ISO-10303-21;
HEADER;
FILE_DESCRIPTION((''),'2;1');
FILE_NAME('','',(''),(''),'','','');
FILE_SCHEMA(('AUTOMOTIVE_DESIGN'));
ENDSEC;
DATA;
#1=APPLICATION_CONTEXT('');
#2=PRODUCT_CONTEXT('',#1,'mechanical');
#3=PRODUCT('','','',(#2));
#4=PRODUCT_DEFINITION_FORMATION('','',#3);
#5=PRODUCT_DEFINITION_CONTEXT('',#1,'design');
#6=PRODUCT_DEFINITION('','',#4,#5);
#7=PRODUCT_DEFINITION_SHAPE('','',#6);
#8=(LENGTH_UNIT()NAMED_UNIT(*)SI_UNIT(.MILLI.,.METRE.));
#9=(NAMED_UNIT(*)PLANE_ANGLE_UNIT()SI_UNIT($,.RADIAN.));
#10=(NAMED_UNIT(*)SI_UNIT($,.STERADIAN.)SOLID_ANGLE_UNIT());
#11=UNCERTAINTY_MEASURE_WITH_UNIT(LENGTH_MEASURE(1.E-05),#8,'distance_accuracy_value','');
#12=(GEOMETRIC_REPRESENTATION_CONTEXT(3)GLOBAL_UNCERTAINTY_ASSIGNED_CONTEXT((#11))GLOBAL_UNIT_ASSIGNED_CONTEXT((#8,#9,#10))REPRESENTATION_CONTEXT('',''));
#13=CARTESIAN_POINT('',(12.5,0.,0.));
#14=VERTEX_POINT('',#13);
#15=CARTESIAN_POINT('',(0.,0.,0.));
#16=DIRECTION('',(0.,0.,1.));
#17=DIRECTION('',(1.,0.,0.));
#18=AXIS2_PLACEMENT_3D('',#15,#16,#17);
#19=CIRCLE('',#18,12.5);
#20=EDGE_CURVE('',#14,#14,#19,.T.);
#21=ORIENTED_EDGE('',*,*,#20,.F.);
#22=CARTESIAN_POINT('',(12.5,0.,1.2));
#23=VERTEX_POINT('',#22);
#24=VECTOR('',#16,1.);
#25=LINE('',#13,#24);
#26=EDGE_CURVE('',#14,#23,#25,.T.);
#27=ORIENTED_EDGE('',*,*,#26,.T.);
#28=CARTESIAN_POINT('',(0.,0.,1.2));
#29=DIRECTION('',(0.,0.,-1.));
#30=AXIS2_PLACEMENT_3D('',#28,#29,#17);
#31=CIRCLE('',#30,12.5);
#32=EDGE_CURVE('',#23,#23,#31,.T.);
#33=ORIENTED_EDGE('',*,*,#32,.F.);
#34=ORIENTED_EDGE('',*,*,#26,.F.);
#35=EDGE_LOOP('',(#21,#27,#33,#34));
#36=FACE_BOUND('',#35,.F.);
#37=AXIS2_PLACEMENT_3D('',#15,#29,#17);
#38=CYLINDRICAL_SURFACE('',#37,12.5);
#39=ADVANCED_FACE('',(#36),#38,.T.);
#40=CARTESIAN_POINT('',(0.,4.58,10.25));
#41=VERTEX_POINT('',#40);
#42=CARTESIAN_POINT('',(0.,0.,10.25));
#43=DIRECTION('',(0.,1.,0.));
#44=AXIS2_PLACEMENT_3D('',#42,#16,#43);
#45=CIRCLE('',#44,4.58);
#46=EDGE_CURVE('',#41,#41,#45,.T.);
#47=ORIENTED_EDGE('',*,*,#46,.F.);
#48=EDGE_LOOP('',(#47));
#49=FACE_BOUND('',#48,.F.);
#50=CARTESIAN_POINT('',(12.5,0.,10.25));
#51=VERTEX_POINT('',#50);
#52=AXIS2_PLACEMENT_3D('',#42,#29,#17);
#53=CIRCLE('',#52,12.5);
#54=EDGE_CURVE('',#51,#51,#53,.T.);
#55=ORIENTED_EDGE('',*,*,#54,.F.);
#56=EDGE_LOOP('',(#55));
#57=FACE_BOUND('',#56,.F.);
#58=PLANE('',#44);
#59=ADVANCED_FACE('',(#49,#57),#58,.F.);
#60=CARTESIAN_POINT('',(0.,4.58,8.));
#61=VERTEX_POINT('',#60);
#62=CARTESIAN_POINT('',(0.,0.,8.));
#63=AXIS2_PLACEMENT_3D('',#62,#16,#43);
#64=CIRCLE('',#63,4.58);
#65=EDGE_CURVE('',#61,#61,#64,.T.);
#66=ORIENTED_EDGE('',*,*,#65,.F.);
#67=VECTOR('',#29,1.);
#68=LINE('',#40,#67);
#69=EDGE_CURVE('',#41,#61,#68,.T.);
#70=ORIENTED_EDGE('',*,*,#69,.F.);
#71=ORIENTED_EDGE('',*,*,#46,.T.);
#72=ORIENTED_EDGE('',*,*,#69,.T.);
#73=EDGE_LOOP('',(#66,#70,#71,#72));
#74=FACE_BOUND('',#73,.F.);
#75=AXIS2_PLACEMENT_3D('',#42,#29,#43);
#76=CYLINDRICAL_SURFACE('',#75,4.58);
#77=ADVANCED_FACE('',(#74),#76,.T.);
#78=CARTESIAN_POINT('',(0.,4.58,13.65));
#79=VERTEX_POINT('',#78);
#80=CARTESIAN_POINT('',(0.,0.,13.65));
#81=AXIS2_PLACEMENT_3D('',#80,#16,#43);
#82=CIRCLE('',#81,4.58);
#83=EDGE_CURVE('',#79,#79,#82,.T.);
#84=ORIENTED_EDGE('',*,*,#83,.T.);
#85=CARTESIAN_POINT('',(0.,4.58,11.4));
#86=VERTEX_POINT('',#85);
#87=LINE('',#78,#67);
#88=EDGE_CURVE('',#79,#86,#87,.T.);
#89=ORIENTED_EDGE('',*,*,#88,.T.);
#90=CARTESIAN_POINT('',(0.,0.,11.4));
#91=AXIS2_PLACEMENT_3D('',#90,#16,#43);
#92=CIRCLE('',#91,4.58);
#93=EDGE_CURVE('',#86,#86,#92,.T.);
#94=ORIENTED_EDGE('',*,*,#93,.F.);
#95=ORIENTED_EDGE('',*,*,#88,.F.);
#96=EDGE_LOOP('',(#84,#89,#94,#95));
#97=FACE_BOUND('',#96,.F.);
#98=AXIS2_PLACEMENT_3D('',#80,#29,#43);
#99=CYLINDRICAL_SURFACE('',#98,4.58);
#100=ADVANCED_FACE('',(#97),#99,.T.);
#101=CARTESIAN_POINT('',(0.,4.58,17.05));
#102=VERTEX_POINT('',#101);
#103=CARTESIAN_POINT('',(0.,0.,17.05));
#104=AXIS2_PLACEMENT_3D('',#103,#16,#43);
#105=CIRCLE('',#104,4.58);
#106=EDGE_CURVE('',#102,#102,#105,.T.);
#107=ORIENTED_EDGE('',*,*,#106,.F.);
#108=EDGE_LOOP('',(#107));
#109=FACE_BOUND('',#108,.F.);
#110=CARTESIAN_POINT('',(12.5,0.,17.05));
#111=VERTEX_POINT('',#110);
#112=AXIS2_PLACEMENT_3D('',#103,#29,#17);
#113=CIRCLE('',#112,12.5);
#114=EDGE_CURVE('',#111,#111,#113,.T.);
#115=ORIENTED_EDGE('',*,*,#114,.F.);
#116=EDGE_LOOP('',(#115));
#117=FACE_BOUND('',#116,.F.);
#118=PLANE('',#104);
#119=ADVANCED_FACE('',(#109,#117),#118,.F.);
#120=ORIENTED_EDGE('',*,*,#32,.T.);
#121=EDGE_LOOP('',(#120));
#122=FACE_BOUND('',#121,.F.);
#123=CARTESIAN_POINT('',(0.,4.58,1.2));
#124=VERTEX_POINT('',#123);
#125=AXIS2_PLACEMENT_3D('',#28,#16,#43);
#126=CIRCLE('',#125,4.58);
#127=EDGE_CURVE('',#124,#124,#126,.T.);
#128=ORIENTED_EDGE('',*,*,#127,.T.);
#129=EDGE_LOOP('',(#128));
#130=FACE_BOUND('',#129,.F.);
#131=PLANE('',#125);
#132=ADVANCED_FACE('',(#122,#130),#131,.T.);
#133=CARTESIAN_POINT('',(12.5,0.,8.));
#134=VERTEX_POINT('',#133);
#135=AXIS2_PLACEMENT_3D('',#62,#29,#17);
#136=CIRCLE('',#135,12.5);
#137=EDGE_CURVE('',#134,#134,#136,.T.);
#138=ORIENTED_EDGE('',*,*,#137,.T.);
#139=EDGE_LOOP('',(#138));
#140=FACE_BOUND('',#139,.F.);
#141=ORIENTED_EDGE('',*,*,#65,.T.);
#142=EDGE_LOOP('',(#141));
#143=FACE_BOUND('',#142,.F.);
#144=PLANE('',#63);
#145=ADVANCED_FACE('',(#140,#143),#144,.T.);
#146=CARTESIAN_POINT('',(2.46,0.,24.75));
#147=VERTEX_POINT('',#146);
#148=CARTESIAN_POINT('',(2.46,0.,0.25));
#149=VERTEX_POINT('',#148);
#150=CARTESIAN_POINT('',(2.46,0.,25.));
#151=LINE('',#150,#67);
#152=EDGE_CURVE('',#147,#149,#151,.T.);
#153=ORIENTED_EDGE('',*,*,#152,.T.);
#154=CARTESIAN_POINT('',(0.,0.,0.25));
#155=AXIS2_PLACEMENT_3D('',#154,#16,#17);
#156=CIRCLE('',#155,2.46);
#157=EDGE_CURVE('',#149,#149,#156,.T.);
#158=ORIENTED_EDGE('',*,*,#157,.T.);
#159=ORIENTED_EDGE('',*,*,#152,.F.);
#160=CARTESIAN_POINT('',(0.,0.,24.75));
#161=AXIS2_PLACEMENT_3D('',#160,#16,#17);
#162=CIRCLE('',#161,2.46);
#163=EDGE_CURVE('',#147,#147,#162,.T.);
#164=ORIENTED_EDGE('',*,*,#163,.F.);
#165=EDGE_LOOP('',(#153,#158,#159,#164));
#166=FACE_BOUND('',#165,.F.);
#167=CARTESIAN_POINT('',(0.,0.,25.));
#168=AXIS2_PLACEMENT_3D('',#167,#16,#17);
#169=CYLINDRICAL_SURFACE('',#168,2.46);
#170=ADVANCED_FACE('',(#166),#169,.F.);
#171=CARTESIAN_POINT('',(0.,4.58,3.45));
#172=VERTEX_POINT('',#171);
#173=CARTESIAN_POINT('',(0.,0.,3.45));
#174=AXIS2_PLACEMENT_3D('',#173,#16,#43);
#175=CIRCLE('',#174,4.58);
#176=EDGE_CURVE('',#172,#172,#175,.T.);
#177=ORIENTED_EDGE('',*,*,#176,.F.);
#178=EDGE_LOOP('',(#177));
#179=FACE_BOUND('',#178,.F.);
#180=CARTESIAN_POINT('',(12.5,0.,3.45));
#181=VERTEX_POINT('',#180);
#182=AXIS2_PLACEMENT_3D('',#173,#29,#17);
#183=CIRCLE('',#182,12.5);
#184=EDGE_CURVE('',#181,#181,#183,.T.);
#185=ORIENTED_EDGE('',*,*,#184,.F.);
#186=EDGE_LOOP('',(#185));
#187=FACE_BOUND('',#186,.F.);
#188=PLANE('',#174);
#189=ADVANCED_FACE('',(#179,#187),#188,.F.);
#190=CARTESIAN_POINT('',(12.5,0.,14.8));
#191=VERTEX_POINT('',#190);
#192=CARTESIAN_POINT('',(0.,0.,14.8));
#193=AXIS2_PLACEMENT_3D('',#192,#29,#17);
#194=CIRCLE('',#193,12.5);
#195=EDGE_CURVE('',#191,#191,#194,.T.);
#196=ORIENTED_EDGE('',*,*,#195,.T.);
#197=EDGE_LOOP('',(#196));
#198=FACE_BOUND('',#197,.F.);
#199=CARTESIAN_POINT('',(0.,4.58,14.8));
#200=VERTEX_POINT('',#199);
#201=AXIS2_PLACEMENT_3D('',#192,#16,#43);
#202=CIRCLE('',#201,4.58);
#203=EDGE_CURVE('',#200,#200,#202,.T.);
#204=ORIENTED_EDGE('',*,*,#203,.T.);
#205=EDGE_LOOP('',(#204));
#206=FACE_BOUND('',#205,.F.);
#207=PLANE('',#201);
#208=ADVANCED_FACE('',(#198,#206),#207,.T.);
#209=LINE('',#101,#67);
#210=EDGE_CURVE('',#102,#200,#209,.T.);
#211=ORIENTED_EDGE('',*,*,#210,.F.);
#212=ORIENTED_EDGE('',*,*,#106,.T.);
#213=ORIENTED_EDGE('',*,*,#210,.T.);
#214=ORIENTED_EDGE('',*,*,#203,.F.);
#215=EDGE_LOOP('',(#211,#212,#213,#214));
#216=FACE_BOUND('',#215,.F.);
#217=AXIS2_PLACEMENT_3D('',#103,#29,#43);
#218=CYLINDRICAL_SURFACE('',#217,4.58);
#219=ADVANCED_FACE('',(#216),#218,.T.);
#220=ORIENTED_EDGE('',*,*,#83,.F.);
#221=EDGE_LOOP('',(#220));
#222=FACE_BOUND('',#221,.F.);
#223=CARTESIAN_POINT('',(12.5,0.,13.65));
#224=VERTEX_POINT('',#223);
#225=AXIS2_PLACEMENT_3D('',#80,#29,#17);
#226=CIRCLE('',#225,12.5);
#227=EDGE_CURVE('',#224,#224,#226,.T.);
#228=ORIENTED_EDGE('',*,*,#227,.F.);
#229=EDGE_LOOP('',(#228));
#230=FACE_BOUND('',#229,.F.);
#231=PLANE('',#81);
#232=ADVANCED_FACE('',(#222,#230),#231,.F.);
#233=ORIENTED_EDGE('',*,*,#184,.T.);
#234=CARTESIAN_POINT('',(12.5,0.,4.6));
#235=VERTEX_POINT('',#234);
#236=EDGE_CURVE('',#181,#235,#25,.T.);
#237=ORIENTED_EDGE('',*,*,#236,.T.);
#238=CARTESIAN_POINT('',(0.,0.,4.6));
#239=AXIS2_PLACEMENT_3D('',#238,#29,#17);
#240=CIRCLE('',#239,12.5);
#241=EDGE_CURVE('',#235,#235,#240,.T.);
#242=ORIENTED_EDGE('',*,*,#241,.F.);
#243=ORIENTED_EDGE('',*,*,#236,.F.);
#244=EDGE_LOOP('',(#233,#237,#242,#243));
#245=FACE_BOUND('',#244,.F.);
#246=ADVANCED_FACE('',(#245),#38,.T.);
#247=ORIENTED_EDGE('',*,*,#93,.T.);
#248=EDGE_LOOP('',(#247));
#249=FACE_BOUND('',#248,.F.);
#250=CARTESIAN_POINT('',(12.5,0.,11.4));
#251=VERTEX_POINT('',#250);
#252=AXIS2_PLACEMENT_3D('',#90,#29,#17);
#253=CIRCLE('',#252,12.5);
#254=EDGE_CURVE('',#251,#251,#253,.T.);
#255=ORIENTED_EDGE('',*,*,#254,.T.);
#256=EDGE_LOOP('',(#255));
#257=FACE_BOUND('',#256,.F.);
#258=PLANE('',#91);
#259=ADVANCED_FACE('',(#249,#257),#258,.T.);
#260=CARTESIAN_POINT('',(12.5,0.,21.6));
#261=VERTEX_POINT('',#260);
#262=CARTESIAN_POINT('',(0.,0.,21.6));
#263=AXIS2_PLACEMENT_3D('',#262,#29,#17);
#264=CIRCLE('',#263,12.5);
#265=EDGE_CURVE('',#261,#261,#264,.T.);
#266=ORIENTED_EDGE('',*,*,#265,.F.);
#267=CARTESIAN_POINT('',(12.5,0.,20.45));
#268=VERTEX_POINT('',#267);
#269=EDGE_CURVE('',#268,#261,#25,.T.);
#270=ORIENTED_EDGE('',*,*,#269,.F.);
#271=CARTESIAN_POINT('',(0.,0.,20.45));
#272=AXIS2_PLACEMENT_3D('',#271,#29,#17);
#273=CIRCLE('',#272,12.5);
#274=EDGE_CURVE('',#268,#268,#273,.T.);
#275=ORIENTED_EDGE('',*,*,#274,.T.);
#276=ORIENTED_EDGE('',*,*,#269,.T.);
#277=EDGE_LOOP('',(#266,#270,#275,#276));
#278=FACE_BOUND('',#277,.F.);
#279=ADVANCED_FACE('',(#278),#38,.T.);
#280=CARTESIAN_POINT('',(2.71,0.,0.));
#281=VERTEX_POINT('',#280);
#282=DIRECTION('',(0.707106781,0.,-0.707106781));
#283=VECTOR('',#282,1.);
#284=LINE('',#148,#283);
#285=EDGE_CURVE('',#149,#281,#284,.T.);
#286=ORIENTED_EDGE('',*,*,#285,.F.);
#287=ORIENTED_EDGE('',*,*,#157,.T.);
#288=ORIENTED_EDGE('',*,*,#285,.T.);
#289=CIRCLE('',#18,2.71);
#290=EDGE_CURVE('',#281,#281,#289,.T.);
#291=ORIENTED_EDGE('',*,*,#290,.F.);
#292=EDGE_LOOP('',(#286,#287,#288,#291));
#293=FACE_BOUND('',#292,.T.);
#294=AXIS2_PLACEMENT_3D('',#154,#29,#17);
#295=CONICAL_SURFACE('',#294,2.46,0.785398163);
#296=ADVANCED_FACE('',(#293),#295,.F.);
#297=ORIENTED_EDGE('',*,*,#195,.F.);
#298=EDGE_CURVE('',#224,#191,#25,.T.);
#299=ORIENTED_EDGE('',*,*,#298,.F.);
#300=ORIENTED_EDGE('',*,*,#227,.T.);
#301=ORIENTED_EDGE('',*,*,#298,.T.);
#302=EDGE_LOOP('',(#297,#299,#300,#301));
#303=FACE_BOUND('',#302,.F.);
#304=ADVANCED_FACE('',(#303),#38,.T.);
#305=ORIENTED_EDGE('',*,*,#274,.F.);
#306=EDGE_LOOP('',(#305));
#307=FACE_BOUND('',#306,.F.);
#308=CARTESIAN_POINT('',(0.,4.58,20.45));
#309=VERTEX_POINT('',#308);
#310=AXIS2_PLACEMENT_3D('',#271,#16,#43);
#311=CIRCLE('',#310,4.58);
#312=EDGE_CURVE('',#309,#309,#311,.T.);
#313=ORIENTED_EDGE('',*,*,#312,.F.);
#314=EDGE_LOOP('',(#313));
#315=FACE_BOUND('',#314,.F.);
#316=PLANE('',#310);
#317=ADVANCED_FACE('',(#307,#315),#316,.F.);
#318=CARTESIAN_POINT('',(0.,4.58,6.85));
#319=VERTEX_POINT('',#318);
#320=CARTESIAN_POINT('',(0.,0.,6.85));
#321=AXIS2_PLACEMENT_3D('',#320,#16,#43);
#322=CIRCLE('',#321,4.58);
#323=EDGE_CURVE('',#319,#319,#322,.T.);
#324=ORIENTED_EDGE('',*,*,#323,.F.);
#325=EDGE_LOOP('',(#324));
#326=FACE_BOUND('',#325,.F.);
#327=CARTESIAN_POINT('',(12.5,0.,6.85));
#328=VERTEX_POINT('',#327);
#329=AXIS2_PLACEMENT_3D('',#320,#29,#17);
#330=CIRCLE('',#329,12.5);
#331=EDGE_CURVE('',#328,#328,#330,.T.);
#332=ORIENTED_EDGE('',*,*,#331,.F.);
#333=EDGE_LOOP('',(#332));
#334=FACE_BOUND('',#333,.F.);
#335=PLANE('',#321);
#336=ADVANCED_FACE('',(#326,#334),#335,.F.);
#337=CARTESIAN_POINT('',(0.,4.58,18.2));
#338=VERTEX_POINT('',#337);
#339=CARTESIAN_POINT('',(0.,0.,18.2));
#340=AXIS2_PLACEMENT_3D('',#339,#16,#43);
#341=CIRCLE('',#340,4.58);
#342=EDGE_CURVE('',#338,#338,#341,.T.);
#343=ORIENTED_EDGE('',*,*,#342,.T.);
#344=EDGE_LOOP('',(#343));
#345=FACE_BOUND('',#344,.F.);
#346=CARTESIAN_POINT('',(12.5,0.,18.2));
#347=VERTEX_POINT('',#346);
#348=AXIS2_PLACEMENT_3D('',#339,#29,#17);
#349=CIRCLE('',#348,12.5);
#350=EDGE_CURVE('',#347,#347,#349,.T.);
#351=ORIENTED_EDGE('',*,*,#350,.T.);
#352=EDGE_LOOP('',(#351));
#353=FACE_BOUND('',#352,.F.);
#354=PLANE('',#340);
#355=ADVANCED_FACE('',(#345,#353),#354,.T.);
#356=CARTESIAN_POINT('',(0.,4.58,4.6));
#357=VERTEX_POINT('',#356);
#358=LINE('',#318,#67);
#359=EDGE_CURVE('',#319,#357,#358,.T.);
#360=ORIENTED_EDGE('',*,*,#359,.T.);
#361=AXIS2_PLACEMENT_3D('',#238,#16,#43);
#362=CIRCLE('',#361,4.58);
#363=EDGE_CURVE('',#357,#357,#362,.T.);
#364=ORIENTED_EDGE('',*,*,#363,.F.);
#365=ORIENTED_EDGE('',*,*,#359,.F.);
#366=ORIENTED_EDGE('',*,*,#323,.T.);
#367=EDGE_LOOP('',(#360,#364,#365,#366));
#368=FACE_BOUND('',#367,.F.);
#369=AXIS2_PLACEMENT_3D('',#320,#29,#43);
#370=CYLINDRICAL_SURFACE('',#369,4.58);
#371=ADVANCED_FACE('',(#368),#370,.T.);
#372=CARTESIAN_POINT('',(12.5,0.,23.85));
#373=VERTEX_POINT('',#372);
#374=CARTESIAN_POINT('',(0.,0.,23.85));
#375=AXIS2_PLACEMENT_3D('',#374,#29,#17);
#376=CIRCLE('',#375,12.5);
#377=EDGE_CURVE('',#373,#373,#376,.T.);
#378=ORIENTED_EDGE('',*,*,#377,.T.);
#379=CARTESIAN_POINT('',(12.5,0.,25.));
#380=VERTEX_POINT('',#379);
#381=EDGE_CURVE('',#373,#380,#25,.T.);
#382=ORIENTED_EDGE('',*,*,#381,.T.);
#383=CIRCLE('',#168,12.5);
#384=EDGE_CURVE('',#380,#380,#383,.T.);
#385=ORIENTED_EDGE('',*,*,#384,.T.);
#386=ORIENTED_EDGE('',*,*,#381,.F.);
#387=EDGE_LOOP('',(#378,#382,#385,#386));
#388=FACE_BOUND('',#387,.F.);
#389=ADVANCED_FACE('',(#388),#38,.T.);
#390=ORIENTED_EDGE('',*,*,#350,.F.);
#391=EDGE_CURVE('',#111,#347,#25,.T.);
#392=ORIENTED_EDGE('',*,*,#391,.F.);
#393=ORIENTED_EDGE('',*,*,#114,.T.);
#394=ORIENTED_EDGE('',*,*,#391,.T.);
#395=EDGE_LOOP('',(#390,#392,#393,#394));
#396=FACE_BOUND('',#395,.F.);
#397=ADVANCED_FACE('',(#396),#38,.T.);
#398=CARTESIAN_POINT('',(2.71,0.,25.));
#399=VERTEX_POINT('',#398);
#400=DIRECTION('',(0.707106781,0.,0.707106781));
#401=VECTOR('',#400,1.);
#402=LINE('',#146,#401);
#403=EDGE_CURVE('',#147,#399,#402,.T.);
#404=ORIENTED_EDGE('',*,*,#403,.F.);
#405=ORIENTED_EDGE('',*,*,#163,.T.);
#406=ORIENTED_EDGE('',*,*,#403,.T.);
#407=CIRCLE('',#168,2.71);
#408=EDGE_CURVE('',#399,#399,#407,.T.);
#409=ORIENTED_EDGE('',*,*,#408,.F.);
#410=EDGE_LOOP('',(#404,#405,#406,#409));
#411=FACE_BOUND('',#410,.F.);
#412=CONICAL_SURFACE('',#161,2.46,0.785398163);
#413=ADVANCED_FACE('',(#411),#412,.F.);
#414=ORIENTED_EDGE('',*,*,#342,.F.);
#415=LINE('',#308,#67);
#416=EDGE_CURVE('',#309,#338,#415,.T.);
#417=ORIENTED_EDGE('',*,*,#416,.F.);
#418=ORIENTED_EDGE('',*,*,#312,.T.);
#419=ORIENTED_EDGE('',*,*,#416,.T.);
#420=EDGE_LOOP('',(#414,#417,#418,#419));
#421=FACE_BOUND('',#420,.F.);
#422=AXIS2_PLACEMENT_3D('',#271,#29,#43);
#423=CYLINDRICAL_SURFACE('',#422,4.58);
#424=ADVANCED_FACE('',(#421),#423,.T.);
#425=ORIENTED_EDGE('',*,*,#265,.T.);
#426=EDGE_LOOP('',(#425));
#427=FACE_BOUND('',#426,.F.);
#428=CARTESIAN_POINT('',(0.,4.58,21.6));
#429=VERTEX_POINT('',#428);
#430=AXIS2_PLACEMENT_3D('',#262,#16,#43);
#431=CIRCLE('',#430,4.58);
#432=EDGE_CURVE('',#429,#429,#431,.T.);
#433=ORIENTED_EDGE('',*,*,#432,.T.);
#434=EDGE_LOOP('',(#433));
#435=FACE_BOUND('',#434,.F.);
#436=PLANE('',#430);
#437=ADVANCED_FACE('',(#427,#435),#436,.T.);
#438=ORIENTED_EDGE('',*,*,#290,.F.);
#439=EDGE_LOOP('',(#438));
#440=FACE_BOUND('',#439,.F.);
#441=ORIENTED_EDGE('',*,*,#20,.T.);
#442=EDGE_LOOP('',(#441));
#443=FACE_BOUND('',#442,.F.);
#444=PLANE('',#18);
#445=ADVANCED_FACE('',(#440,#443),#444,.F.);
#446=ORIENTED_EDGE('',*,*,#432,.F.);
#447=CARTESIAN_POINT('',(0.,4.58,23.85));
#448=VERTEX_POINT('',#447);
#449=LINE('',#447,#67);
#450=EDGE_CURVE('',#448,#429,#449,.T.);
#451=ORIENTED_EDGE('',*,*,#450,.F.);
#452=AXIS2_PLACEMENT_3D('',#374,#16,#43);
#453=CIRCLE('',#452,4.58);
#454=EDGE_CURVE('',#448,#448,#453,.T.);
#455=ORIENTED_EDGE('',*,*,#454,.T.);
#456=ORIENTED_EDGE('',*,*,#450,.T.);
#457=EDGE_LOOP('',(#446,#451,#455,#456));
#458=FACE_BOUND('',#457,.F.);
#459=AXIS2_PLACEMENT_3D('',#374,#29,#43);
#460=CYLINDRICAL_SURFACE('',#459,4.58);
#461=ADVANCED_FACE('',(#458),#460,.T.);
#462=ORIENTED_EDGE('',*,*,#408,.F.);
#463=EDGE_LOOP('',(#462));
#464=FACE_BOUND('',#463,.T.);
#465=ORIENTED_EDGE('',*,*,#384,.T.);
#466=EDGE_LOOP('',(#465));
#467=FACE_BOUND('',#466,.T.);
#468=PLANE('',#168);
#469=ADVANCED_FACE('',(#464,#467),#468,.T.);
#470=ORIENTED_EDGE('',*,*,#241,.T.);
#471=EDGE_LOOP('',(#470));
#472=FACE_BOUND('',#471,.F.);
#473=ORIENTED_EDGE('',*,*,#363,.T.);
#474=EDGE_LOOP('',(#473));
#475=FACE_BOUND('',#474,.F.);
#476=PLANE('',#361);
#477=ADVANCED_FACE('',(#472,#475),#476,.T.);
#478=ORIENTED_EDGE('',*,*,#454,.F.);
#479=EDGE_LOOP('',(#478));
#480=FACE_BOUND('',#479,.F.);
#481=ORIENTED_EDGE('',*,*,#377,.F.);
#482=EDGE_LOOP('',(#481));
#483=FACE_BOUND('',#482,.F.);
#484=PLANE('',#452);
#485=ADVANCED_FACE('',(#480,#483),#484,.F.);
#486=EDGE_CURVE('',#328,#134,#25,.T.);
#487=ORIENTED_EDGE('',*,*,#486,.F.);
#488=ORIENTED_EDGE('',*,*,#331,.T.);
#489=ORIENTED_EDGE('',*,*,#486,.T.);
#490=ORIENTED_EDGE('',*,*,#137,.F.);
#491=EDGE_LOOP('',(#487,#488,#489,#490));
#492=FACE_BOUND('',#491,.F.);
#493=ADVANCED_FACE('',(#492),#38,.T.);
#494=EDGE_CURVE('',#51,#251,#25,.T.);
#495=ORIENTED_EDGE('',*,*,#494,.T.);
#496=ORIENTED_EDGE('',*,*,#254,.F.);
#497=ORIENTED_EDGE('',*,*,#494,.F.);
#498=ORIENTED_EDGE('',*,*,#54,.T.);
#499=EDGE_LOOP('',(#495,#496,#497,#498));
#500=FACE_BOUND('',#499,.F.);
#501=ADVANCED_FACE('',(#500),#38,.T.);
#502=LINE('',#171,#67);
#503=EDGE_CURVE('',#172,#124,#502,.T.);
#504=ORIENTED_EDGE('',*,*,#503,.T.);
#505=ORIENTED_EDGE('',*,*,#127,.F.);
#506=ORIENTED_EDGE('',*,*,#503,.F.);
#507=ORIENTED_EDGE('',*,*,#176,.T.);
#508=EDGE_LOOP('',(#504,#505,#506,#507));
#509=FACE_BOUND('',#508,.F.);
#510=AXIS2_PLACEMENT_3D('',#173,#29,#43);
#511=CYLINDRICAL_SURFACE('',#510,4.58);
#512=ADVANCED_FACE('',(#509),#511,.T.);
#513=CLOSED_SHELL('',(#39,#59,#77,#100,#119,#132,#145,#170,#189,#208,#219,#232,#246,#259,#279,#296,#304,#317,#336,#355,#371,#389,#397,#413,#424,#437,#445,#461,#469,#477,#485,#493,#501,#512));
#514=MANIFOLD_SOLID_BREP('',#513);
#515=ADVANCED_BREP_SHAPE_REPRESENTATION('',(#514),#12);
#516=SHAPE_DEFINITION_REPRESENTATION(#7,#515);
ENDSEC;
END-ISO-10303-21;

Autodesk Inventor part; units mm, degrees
ref_plane "YZ Plane" through (0, 0, 0) normal (1, 0, 0) x (0, 1, 0)
ref_plane "XZ Plane" through (0, 0, 0) normal (0, 1, 0) x (-1, 0, 0)
ref_plane "XY Plane" through (0, 0, 0) normal (0, 0, 1) x (1, 0, 0)
sketch "Sketch1" plane through (0, 0, 0) normal (0, 0, 1) x (1, 0, 0)
  circle A0 centre (0, 0) radius 12.5
  dimension "d0" = 25
extrude "Extrusion1" add sketch "Sketch1" along normal blind 25
sketch "Sketch2" plane through (0, 0, 0) normal (1, 0, 0) x (0, 1, 0)
  line L0 (0, 0) -> (0, 24.8569) construction
  line L1 (12.5, 0) -> (12.5, 25) projected
  line L2 (12.5, 23.85) -> (4.58, 23.85)
  line L3 (4.58, 23.85) -> (4.58, 21.6)
  line L4 (4.58, 21.6) -> (12.5, 21.6)
  line L5 (12.5, 21.6) -> (12.5, 23.85)
  line L6 (12.5, 25) -> (-12.5, 25) projected
  line L7 (12.5, 20.45) -> (4.58, 20.45)
  line L8 (4.58, 20.45) -> (4.58, 18.2)
  line L9 (4.58, 18.2) -> (12.5, 18.2)
  line L10 (12.5, 18.2) -> (12.5, 20.45)
  line L11 (12.5, 17.05) -> (4.58, 17.05)
  line L12 (4.58, 17.05) -> (4.58, 14.8)
  line L13 (4.58, 14.8) -> (12.5, 14.8)
  line L14 (12.5, 14.8) -> (12.5, 17.05)
  line L15 (12.5, 13.65) -> (4.58, 13.65)
  line L16 (4.58, 13.65) -> (4.58, 11.4)
  line L17 (4.58, 11.4) -> (12.5, 11.4)
  line L18 (12.5, 11.4) -> (12.5, 13.65)
  line L19 (12.5, 10.25) -> (4.58, 10.25)
  line L20 (4.58, 10.25) -> (4.58, 8)
  line L21 (4.58, 8) -> (12.5, 8)
  line L22 (12.5, 8) -> (12.5, 10.25)
  line L23 (12.5, 6.85) -> (4.58, 6.85)
  line L24 (4.58, 6.85) -> (4.58, 4.6)
  line L25 (4.58, 4.6) -> (12.5, 4.6)
  line L26 (12.5, 4.6) -> (12.5, 6.85)
  line L27 (12.5, 3.45) -> (4.58, 3.45)
  line L28 (4.58, 3.45) -> (4.58, 1.2)
  line L29 (4.58, 1.2) -> (12.5, 1.2)
  line L30 (12.5, 1.2) -> (12.5, 3.45)
  dimension "d3" = 2.25
  dimension "d4" = 1.15
  dimension "d5" = 7.92
  dimension "d8" = 3.4
revolve "Revolution1" cut sketch "Sketch2" angle 360 about axis through (0, 0, 0) along (0, 0, 1)
sketch "Sketch3" plane through (0, 0, 25) normal (0, 0, 1) x (1, 0, 0)
  circle A0 centre (0, 0) radius 2.46
  dimension "d14" = 4.92
extrude "Extrusion2" cut sketch "Sketch3" against normal through all
thread "Thread1" size "M5x0.8" class "6H" standard "ANSI Metric M Profile" full length
chamfer "Chamfer1" distance 0.25 angle 45 1 edges at (-2.46, 0, 25)
chamfer "Chamfer2" distance 0.25 angle 45 1 edges at (-2.46, 0, 0)
properties part number "Cooling fin" material "Aluminum 5005-H18"
